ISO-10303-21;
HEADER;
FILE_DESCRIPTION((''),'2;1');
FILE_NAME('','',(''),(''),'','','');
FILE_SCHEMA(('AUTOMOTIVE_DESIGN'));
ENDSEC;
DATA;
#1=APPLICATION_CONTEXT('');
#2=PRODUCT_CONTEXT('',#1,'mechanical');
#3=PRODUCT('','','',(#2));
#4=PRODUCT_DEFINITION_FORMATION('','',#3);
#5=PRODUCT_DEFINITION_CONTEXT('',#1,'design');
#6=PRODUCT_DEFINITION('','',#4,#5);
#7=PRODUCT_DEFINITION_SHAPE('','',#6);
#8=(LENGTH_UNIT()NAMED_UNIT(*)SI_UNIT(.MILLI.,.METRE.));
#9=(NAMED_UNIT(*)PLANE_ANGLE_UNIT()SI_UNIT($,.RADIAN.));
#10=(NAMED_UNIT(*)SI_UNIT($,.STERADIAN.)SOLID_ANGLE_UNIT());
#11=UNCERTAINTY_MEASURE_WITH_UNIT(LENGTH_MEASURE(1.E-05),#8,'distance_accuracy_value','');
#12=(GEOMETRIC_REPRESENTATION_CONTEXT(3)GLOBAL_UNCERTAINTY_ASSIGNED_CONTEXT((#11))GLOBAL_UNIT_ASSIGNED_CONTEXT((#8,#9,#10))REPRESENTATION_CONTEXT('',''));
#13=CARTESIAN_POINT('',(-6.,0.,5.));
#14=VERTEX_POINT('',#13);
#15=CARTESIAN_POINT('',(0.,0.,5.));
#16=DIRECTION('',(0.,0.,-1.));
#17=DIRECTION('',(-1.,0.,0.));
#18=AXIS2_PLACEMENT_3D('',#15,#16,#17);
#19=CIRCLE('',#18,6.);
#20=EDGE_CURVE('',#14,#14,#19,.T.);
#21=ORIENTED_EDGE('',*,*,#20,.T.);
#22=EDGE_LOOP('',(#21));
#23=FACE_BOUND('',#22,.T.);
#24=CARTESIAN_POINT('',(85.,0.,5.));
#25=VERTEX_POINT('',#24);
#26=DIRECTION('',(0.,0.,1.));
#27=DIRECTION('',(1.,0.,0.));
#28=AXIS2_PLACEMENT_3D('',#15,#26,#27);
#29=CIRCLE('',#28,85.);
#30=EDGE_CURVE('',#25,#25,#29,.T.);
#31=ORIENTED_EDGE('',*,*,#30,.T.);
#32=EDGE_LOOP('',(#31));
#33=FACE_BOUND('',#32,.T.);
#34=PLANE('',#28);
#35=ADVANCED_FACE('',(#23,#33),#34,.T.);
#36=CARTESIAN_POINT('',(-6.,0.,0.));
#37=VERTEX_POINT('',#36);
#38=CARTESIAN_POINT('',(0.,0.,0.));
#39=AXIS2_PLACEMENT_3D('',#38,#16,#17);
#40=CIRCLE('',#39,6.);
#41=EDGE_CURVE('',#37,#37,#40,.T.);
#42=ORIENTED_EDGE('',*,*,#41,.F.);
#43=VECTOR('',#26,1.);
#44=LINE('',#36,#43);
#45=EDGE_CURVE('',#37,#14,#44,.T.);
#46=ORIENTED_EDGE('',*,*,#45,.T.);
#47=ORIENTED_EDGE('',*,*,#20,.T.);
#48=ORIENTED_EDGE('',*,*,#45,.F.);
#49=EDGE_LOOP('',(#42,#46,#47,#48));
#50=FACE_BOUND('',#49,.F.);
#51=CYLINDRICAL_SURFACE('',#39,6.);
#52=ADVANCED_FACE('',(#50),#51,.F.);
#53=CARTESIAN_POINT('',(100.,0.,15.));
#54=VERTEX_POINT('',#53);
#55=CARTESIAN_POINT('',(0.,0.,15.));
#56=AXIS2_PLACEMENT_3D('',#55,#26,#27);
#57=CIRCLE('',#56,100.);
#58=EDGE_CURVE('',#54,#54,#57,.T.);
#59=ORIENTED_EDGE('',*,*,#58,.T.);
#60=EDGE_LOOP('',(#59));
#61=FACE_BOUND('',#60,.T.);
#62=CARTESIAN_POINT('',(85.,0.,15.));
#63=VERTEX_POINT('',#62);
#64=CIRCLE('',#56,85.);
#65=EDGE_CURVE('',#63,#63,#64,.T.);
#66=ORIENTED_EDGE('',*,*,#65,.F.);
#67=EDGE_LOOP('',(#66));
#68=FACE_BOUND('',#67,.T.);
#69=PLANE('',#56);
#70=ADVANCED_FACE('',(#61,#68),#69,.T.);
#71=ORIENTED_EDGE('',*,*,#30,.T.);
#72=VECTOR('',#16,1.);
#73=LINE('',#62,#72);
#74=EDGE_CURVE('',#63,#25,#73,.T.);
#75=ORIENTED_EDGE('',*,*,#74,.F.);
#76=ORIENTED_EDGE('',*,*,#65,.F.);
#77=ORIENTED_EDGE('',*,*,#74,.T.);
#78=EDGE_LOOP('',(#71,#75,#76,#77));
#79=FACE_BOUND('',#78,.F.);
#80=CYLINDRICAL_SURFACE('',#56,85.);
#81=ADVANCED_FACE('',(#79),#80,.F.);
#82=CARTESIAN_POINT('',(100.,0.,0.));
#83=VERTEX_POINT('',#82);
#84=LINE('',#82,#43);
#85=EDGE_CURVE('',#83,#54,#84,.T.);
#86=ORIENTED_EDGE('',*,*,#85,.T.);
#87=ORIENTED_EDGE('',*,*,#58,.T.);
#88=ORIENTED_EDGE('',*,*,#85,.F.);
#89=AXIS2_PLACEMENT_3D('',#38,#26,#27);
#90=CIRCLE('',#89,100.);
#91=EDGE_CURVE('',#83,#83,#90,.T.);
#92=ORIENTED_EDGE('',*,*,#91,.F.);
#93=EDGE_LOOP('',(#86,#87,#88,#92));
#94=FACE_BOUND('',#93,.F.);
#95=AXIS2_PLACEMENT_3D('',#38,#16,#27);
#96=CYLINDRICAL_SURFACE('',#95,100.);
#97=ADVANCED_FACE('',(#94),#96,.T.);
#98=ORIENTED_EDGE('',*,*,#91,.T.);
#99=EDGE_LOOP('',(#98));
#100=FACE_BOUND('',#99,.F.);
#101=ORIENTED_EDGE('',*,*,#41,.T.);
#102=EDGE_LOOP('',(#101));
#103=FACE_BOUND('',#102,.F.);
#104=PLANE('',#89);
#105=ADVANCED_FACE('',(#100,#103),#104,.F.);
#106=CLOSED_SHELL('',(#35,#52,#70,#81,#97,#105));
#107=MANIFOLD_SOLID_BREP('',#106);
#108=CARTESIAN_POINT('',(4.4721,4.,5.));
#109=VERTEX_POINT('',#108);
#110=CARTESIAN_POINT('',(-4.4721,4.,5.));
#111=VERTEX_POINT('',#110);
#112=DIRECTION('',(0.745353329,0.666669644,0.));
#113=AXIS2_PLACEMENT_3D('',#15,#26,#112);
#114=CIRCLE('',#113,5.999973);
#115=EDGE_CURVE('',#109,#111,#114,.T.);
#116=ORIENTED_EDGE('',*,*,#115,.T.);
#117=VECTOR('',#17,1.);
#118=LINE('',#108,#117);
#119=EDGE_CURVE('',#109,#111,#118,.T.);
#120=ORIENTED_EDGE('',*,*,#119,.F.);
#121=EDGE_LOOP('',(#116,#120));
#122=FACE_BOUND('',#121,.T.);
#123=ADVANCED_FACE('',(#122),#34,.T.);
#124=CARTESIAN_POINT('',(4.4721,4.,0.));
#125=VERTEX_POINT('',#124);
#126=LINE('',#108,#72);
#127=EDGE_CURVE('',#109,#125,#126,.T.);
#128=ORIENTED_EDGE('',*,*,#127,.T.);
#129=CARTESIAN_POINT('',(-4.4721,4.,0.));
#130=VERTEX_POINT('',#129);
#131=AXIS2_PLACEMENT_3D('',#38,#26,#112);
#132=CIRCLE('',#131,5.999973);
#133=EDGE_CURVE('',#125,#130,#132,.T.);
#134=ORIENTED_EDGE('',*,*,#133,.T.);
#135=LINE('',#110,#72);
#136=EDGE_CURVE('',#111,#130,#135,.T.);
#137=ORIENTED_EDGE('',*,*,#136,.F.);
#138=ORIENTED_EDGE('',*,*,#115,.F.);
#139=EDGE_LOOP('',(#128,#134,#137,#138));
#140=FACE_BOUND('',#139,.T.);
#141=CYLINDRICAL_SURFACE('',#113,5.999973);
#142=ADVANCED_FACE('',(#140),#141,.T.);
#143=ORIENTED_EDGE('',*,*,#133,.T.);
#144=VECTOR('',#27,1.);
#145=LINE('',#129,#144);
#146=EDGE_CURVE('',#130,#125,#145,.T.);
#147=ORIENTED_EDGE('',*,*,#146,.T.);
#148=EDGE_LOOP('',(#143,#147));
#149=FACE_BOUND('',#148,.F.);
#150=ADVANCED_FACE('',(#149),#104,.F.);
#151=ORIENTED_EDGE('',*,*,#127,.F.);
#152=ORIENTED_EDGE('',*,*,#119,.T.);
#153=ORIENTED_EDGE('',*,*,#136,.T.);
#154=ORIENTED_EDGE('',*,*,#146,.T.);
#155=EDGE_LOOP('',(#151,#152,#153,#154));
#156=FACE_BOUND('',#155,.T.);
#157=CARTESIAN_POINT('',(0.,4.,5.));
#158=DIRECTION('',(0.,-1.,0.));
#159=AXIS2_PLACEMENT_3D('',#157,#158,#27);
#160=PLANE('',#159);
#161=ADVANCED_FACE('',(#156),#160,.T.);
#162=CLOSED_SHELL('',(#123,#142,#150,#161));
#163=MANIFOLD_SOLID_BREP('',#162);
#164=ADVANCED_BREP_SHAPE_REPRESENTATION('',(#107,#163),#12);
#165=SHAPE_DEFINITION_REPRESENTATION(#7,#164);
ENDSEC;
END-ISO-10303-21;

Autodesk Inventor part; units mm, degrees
ref_plane "YZ Plane" through (0, 0, 0) normal (1, 0, 0) x (0, 1, 0)
ref_plane "XZ Plane" through (0, 0, 0) normal (0, 1, 0) x (-1, 0, 0)
ref_plane "XY Plane" through (0, 0, 0) normal (0, 0, 1) x (1, 0, 0)
sketch "スケッチ1" plane through (0, 0, 0) normal (0, 0, 1) x (1, 0, 0)
  circle A0 centre (0, 0) radius 100
  dimension "d0" = 200
extrude "押し出し1" add sketch "スケッチ1" along normal blind 15
sketch "スケッチ2" plane through (0, 0, 15) normal (0, 0, 1) x (1, 0, 0)
  circle A0 centre (0, 0) radius 85
  dimension "d3" = 170
extrude "押し出し2" cut sketch "スケッチ2" against normal blind 10
sketch "スケッチ3" plane through (0, 0, 0) normal (0, 0, -1) x (-1, 0, 0)
  circle A0 centre (0, 0) radius 6
  dimension "d6" = 12
extrude "押し出し3" cut sketch "スケッチ3" against normal through all
sketch "スケッチ4" plane through (0, 0, 5) normal (0, 0, 1) x (1, 0, 0)
  arc A0 (4.4721, 4) -> (-4.4721, 4) centre (0, 0) ccw
  line L0 (0, 4) -> (4.4721, 4)
  line L1 (0, 4) -> (-4.4721, 4)
  dimension "d9" = 12
  dimension "d10" = 4
extrude "押し出し4" add sketch "スケッチ4" against normal blind 5
properties part number "計測輪20mm"
